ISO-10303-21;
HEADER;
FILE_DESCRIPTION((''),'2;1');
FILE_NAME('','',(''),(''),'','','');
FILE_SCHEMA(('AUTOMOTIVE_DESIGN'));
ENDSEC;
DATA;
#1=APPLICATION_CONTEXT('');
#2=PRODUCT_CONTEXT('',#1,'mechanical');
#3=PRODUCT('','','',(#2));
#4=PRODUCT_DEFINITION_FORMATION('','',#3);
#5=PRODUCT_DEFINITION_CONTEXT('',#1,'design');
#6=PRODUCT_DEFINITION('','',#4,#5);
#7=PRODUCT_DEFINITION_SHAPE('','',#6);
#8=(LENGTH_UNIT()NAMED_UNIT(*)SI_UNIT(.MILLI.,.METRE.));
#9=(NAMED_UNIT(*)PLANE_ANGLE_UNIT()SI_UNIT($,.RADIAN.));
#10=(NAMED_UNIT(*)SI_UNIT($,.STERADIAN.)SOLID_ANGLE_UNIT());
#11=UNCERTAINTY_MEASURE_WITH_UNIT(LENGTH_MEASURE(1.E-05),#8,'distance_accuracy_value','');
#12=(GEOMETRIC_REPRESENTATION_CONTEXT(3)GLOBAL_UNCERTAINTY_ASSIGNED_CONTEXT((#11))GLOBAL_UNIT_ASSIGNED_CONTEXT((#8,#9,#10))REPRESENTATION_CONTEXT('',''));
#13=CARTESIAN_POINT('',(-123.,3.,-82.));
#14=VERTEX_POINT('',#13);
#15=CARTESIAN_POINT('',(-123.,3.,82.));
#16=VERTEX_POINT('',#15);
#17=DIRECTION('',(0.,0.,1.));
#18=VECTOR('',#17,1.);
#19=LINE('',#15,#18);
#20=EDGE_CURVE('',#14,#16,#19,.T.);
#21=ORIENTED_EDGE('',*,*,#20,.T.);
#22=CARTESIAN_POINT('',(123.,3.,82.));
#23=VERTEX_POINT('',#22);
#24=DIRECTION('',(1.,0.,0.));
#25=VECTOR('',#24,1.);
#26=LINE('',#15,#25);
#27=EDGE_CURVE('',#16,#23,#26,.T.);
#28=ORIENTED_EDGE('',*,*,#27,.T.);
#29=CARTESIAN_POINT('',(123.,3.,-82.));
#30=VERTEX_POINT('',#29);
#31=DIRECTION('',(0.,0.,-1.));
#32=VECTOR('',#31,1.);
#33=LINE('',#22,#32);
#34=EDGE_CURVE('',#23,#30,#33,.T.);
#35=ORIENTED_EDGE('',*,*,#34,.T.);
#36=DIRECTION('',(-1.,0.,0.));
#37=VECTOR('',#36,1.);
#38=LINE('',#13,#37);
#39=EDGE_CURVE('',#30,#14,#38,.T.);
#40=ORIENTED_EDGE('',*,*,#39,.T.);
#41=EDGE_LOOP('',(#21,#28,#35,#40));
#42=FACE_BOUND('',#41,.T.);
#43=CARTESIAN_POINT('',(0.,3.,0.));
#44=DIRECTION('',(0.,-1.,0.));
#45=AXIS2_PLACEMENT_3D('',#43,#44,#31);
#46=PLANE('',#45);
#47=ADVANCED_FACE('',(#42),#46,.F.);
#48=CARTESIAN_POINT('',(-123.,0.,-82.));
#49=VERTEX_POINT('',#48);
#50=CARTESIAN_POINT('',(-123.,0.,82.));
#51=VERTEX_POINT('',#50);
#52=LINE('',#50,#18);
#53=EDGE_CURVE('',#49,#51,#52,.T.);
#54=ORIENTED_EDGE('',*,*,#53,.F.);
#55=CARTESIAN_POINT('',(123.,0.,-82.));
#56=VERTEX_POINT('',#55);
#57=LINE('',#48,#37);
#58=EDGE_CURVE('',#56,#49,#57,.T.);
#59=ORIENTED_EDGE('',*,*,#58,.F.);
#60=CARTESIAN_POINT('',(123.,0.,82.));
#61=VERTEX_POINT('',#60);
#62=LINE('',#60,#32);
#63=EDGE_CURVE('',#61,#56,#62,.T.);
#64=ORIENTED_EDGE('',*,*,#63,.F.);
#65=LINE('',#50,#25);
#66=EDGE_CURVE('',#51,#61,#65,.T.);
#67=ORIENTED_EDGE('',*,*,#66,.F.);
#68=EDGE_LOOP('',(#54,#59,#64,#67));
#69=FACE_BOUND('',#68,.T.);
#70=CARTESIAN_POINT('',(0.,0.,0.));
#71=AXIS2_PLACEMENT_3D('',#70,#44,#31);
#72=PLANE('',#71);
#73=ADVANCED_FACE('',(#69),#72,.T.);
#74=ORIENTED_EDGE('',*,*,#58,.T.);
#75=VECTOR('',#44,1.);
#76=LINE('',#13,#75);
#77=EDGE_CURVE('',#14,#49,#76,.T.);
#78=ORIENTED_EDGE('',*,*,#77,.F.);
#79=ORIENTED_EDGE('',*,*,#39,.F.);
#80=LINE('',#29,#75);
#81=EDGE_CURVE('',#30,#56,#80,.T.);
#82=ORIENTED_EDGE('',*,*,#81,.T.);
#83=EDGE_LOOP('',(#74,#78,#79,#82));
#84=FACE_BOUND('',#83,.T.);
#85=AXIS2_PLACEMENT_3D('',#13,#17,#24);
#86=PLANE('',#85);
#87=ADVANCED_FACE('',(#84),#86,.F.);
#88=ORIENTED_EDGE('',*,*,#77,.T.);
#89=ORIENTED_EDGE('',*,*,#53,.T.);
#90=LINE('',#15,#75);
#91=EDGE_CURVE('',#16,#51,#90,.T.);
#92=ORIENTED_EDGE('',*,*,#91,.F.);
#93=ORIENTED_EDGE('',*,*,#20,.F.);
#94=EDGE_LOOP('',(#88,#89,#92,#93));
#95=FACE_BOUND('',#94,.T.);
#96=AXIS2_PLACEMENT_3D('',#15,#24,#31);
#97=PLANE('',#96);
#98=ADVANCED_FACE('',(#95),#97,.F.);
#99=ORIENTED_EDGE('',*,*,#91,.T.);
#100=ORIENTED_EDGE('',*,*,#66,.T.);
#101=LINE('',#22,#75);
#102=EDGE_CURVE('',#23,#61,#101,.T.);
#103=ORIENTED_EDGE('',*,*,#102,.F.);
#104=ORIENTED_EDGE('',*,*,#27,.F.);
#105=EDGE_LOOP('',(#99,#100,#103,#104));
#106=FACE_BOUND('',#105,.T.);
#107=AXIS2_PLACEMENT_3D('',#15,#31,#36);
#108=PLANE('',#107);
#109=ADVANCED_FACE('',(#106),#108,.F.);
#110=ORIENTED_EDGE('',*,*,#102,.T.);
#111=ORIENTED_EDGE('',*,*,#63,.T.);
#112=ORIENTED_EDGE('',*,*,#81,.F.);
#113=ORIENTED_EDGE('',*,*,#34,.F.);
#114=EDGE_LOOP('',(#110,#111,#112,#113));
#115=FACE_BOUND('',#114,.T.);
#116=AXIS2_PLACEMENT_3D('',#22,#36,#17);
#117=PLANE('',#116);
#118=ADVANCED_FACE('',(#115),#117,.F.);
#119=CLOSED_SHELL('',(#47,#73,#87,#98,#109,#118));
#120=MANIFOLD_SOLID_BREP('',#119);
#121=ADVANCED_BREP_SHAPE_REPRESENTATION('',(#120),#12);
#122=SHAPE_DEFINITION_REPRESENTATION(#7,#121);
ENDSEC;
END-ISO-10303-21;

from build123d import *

# Parameters (mm, degrees)
SKETCH1_W           = 246
SKETCH1_H           = 164
BOSS_EXTRUDE1_DEPTH = 3


with BuildPart() as part:
    # Sketch1 → Boss-Extrude1 (new body)
    with BuildSketch(Plane(origin=(0, 0, 0), x_dir=(1, 0, 0), z_dir=(0, 1, 0))):
        Rectangle(SKETCH1_W, SKETCH1_H)
    extrude(amount=BOSS_EXTRUDE1_DEPTH)


solid = part.part
